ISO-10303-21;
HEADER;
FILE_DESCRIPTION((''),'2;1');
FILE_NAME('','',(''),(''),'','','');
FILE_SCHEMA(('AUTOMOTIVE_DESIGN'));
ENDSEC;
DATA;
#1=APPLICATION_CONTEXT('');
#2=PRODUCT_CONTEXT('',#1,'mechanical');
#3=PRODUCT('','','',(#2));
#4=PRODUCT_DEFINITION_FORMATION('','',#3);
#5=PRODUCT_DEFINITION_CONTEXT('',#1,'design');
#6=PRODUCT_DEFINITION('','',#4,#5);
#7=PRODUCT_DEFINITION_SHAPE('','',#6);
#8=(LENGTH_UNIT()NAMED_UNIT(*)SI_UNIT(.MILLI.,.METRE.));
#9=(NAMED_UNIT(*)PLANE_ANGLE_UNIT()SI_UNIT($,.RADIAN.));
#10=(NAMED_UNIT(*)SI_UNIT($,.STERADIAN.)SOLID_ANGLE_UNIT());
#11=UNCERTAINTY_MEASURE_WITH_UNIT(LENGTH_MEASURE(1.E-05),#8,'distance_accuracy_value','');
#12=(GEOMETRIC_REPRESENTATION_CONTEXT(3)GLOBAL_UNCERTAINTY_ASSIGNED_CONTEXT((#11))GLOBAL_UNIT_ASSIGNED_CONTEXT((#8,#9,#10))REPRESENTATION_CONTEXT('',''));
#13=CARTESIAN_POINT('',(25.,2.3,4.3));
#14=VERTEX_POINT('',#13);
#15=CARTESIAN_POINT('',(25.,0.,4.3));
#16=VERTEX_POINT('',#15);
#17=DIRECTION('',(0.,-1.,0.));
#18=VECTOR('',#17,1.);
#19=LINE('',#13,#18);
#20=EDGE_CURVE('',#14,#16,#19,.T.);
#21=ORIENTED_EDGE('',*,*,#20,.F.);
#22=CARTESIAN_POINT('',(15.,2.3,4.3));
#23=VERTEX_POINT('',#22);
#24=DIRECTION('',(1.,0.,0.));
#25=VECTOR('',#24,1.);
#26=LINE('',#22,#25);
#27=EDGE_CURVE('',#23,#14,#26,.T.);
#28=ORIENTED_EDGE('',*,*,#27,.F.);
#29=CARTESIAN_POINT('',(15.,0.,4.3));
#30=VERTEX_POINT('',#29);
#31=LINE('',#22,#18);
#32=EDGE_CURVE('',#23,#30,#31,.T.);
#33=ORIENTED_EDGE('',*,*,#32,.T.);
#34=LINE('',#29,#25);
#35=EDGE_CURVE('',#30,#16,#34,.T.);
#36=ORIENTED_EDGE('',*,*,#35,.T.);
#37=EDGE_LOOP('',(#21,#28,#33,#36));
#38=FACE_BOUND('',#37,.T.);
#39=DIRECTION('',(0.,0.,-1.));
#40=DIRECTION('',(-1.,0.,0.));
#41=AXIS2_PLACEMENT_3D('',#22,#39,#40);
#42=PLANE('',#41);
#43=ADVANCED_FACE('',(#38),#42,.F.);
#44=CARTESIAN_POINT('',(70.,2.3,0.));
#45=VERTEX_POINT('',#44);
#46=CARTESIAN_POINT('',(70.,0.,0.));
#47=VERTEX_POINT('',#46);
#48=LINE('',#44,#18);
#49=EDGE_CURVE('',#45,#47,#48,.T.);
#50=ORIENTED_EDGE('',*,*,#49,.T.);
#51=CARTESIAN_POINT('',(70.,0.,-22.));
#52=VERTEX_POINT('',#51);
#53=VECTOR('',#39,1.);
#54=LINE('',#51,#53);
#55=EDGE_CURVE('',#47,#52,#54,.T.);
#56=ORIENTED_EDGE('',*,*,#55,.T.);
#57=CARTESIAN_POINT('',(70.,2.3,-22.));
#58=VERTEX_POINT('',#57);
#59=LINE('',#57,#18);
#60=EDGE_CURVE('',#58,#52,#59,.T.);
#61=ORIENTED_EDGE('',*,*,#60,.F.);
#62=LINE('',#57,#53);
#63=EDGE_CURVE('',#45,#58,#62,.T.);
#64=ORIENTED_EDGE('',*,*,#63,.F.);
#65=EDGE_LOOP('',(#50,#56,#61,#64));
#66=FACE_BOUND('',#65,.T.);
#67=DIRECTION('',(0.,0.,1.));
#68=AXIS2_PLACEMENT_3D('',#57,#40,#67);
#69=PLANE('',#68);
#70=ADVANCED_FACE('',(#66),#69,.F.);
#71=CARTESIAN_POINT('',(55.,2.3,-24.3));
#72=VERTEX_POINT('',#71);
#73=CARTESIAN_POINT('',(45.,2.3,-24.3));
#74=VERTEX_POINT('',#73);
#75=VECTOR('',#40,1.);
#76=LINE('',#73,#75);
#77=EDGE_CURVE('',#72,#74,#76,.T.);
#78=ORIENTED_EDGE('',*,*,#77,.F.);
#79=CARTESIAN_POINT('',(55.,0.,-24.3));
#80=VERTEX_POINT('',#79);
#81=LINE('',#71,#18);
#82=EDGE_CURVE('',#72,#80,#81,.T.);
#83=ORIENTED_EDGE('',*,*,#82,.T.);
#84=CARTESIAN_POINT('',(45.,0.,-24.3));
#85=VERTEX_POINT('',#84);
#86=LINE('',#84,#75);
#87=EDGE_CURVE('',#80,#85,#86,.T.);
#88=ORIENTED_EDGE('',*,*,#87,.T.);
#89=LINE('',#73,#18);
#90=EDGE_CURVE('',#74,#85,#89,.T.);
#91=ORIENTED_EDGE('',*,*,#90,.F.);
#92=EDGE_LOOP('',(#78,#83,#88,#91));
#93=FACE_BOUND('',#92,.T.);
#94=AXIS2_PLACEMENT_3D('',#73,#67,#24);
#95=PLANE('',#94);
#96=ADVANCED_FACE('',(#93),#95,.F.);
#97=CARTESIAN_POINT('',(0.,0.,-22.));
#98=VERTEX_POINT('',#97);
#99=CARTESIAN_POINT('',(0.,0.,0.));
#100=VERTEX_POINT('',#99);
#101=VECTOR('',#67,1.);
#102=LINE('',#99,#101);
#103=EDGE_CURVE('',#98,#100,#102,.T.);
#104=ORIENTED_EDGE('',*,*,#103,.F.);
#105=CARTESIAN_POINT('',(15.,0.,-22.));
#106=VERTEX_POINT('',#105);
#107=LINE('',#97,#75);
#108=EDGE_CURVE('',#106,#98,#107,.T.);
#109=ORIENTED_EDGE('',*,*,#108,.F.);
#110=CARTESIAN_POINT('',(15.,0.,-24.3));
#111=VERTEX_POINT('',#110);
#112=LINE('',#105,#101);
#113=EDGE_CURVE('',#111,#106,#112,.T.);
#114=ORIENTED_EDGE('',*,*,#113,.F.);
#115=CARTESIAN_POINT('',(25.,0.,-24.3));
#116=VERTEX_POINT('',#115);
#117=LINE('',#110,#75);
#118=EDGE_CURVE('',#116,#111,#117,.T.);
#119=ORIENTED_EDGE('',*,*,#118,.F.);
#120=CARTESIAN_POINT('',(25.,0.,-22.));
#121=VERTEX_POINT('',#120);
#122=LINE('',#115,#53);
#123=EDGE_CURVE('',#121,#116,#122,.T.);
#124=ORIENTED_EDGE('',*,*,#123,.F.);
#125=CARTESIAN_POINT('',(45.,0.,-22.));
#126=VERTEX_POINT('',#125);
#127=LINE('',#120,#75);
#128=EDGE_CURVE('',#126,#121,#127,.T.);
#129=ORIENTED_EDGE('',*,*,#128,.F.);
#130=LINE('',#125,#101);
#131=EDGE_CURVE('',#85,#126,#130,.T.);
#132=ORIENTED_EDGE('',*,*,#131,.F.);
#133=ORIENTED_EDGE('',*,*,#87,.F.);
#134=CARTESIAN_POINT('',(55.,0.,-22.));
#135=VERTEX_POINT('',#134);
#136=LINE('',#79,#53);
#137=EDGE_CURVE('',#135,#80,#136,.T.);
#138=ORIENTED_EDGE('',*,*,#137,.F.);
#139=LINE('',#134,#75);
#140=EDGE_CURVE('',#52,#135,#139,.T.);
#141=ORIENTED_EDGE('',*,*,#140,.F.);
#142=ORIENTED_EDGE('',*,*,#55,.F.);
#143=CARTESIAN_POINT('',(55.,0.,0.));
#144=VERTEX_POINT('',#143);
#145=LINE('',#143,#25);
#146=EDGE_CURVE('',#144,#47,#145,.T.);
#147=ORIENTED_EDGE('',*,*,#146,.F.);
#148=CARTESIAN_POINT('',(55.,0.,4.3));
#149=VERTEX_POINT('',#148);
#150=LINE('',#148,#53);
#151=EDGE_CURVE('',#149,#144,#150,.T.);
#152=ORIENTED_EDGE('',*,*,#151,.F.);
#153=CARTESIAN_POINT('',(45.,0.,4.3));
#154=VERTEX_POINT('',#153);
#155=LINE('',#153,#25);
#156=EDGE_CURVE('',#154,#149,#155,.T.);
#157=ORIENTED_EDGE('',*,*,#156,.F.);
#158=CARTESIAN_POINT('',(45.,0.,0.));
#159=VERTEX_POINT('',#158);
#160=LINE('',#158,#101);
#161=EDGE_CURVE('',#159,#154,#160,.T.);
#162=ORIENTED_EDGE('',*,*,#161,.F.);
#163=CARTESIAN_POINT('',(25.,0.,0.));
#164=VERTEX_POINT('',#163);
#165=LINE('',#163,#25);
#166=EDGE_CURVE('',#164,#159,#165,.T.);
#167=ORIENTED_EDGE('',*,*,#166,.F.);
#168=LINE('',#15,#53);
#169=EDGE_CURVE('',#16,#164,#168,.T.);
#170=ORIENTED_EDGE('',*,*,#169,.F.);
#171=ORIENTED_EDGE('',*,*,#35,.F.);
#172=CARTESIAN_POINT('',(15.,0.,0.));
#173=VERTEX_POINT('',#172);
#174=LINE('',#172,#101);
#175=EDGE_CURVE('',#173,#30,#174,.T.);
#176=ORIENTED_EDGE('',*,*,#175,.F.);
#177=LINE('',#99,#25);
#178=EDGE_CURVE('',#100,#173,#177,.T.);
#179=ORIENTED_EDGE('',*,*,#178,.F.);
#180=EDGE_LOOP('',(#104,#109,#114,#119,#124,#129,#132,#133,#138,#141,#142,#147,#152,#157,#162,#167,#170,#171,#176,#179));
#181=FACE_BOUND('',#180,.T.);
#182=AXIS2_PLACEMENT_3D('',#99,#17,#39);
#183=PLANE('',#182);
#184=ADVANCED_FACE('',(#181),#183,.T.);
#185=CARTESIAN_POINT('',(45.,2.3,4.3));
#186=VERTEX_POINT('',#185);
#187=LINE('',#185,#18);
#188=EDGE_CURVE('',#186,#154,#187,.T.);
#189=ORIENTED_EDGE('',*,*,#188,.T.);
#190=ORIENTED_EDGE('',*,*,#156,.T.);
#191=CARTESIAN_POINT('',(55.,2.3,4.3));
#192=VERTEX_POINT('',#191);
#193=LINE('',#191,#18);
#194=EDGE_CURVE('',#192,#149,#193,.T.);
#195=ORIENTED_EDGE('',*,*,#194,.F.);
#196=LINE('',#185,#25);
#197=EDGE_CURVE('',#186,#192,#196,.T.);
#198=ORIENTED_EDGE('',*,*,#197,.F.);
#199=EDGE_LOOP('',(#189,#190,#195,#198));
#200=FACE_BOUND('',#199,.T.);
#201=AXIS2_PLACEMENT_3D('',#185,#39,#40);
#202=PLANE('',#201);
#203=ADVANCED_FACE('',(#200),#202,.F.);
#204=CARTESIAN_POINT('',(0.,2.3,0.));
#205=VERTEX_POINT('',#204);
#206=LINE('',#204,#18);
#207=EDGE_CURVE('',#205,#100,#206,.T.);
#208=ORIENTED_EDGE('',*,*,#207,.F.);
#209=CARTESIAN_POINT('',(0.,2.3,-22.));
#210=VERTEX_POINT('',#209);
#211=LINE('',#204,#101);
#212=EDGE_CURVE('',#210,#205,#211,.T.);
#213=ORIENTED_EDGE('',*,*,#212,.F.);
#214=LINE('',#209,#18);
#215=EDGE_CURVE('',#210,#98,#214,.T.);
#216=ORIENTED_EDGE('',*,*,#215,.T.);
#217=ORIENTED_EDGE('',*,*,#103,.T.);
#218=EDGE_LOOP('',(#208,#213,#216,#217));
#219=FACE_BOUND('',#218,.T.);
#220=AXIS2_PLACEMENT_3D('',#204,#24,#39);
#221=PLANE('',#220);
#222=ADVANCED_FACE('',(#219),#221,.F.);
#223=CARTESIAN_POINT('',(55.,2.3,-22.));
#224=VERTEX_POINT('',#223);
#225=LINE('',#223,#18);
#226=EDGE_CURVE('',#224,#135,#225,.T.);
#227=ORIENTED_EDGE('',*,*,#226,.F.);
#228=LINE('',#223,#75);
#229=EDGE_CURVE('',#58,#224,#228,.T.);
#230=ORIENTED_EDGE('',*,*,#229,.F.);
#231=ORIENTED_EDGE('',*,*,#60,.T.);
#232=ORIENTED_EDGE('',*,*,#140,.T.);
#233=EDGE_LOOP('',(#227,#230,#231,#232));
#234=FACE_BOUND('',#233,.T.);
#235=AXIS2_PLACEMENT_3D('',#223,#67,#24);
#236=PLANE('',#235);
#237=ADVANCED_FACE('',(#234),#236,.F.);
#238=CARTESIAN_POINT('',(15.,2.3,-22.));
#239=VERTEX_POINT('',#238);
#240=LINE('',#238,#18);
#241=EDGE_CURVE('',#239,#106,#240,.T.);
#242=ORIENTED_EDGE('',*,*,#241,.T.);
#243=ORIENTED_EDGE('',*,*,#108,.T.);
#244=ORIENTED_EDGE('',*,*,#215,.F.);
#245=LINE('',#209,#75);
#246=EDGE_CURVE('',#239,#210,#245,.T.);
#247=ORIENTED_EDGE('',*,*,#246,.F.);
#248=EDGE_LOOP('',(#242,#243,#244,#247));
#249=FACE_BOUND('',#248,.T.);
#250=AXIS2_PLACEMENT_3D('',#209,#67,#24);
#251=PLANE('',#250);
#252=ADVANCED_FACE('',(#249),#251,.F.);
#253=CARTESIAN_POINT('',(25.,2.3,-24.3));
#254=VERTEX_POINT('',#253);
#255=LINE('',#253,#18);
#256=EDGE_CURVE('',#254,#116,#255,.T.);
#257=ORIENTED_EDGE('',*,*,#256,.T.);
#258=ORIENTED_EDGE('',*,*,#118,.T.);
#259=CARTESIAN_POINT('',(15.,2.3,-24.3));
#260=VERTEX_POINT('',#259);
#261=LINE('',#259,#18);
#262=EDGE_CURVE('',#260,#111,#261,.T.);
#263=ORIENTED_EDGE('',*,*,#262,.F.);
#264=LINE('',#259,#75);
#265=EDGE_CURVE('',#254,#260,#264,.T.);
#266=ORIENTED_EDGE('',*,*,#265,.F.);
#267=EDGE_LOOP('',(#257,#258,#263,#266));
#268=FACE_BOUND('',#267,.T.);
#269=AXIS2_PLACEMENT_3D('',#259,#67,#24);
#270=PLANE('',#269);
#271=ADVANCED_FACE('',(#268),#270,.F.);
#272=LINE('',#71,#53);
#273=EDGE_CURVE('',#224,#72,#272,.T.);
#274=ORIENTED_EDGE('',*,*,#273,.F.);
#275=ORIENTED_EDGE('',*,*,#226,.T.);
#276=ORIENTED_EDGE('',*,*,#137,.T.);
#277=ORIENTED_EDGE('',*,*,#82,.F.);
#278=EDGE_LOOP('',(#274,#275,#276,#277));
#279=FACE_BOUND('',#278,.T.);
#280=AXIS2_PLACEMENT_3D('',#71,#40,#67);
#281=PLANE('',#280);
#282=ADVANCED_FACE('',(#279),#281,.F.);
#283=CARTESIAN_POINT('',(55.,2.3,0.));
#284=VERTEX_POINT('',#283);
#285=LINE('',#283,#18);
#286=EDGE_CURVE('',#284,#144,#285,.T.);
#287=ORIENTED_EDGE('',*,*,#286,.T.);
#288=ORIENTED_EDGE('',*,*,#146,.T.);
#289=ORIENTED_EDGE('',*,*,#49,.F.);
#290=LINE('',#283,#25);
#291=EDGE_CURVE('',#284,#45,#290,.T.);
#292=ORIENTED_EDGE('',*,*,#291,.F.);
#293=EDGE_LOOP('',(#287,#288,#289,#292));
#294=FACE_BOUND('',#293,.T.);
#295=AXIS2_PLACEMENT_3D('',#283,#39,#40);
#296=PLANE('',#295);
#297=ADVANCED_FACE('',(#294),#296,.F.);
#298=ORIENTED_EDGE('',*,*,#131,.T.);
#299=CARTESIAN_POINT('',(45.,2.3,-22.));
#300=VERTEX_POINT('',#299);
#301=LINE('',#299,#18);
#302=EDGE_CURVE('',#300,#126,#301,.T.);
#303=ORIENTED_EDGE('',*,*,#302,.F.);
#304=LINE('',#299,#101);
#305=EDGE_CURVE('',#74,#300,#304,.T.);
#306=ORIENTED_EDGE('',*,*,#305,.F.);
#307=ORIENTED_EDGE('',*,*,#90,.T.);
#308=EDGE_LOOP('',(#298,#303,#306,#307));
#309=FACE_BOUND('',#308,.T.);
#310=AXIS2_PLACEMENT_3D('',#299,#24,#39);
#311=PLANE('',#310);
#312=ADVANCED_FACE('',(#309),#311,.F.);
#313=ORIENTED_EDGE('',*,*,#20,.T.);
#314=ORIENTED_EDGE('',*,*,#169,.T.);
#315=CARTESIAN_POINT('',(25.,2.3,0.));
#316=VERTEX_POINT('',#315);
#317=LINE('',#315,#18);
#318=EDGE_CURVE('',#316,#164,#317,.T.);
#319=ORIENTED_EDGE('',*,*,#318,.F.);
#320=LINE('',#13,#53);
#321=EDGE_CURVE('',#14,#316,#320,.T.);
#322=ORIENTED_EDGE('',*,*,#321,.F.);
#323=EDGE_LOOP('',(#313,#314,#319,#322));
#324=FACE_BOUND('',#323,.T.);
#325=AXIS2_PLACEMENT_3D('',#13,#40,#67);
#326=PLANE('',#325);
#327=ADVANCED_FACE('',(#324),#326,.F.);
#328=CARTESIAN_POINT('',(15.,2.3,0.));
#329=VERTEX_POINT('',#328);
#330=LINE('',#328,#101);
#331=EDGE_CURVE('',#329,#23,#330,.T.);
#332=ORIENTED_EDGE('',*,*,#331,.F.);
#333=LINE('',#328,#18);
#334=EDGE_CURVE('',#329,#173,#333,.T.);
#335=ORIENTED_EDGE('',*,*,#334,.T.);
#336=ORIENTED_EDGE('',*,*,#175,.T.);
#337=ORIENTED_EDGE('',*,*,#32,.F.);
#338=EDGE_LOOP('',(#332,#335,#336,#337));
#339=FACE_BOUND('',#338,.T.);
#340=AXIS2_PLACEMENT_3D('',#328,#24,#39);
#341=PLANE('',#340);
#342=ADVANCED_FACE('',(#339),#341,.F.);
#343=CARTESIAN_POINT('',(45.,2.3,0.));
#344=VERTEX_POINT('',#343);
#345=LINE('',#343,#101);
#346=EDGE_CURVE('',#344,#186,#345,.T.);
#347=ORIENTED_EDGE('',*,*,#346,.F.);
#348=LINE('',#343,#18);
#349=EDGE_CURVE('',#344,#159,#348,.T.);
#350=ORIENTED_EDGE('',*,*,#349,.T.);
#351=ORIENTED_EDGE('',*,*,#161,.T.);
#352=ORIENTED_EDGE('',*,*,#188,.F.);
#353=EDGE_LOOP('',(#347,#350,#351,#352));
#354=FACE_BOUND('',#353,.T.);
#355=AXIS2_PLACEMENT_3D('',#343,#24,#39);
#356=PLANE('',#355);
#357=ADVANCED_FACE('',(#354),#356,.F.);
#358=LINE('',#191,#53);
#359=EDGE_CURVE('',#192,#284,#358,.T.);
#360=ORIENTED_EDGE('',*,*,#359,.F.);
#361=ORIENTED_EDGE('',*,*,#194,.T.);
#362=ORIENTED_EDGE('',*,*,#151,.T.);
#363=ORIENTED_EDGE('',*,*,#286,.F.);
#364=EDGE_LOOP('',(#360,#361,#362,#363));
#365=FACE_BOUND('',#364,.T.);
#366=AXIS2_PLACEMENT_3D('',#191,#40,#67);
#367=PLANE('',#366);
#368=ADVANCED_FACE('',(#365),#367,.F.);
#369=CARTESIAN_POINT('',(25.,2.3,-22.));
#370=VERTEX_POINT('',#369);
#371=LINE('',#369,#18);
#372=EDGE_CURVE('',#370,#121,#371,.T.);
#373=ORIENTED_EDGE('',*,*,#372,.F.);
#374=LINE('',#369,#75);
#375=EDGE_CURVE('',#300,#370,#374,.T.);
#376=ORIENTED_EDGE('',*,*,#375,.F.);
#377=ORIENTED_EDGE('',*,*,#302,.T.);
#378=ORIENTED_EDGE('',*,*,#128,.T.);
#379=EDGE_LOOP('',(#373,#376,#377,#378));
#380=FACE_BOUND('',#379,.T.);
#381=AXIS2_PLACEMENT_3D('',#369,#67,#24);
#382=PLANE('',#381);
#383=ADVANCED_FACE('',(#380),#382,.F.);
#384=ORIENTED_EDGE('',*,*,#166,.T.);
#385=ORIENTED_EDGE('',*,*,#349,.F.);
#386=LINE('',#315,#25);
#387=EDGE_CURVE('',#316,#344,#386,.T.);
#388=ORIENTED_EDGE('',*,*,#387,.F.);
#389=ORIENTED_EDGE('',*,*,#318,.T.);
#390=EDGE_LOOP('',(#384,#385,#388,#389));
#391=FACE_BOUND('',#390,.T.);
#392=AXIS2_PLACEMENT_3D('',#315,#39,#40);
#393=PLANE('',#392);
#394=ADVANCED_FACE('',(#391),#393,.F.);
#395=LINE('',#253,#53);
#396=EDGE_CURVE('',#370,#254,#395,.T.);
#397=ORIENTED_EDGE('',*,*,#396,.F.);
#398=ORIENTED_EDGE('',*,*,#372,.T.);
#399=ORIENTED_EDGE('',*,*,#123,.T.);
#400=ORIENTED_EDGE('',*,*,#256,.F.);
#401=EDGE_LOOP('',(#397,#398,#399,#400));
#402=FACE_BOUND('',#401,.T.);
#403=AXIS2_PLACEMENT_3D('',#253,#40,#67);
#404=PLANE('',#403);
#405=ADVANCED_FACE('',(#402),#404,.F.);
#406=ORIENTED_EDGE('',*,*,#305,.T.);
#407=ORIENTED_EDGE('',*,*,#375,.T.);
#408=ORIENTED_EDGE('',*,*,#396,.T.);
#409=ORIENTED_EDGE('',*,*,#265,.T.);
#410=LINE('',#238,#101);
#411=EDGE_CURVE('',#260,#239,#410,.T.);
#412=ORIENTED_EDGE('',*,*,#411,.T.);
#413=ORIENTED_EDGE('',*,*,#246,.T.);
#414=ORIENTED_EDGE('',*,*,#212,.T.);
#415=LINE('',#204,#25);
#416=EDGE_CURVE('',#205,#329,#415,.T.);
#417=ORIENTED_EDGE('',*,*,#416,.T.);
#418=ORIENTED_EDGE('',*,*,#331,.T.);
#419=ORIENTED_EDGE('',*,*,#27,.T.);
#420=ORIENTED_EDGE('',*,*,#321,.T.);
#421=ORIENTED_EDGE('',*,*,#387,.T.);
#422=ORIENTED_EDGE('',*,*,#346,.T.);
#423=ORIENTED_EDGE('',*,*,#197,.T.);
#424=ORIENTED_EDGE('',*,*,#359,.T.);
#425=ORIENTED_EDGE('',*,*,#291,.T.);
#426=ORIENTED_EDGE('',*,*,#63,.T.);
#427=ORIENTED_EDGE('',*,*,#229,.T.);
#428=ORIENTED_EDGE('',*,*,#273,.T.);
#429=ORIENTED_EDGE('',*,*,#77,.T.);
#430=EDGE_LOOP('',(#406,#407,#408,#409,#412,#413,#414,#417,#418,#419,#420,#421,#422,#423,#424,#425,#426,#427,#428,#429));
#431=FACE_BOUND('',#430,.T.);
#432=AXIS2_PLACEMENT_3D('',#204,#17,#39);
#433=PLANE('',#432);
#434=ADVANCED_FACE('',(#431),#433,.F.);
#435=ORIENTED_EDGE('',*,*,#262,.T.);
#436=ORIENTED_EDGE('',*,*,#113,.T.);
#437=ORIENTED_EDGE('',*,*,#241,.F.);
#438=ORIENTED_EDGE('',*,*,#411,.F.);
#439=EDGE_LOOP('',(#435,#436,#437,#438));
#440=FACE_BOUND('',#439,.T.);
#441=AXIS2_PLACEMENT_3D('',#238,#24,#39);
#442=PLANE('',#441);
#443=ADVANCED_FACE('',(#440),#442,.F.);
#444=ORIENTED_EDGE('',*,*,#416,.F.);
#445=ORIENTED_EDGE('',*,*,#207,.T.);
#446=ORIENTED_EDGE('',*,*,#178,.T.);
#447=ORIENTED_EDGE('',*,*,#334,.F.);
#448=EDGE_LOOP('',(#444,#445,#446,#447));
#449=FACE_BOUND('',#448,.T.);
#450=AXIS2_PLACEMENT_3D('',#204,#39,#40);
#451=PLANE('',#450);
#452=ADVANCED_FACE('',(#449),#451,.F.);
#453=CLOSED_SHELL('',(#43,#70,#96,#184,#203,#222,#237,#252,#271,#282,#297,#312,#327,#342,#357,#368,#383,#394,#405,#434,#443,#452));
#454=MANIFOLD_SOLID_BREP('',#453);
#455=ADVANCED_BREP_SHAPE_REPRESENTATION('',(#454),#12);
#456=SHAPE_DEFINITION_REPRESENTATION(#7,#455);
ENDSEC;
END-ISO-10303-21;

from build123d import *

# Parameters (mm, degrees)
BOSS_EXTRUDE1_DEPTH = 2.3


with BuildPart() as part:
    # Sketch1 → Boss-Extrude1 (new body)
    with BuildSketch(Plane(origin=(0, 0, 0), x_dir=(1, 0, 0), z_dir=(0, 1, 0))):
        Polygon((0, 0), (0, 22), (15, 22), (15, 24.3), (25, 24.3), (25, 22), (45, 22), (45, 24.3), (55, 24.3), (55, 22), (70, 22), (70, 0), (55, 0), (55, -4.3), (45, -4.3), (45, 0), (25, 0), (25, -4.3), (15, -4.3), (15, 0), align=None)
    extrude(amount=BOSS_EXTRUDE1_DEPTH)


solid = part.part
